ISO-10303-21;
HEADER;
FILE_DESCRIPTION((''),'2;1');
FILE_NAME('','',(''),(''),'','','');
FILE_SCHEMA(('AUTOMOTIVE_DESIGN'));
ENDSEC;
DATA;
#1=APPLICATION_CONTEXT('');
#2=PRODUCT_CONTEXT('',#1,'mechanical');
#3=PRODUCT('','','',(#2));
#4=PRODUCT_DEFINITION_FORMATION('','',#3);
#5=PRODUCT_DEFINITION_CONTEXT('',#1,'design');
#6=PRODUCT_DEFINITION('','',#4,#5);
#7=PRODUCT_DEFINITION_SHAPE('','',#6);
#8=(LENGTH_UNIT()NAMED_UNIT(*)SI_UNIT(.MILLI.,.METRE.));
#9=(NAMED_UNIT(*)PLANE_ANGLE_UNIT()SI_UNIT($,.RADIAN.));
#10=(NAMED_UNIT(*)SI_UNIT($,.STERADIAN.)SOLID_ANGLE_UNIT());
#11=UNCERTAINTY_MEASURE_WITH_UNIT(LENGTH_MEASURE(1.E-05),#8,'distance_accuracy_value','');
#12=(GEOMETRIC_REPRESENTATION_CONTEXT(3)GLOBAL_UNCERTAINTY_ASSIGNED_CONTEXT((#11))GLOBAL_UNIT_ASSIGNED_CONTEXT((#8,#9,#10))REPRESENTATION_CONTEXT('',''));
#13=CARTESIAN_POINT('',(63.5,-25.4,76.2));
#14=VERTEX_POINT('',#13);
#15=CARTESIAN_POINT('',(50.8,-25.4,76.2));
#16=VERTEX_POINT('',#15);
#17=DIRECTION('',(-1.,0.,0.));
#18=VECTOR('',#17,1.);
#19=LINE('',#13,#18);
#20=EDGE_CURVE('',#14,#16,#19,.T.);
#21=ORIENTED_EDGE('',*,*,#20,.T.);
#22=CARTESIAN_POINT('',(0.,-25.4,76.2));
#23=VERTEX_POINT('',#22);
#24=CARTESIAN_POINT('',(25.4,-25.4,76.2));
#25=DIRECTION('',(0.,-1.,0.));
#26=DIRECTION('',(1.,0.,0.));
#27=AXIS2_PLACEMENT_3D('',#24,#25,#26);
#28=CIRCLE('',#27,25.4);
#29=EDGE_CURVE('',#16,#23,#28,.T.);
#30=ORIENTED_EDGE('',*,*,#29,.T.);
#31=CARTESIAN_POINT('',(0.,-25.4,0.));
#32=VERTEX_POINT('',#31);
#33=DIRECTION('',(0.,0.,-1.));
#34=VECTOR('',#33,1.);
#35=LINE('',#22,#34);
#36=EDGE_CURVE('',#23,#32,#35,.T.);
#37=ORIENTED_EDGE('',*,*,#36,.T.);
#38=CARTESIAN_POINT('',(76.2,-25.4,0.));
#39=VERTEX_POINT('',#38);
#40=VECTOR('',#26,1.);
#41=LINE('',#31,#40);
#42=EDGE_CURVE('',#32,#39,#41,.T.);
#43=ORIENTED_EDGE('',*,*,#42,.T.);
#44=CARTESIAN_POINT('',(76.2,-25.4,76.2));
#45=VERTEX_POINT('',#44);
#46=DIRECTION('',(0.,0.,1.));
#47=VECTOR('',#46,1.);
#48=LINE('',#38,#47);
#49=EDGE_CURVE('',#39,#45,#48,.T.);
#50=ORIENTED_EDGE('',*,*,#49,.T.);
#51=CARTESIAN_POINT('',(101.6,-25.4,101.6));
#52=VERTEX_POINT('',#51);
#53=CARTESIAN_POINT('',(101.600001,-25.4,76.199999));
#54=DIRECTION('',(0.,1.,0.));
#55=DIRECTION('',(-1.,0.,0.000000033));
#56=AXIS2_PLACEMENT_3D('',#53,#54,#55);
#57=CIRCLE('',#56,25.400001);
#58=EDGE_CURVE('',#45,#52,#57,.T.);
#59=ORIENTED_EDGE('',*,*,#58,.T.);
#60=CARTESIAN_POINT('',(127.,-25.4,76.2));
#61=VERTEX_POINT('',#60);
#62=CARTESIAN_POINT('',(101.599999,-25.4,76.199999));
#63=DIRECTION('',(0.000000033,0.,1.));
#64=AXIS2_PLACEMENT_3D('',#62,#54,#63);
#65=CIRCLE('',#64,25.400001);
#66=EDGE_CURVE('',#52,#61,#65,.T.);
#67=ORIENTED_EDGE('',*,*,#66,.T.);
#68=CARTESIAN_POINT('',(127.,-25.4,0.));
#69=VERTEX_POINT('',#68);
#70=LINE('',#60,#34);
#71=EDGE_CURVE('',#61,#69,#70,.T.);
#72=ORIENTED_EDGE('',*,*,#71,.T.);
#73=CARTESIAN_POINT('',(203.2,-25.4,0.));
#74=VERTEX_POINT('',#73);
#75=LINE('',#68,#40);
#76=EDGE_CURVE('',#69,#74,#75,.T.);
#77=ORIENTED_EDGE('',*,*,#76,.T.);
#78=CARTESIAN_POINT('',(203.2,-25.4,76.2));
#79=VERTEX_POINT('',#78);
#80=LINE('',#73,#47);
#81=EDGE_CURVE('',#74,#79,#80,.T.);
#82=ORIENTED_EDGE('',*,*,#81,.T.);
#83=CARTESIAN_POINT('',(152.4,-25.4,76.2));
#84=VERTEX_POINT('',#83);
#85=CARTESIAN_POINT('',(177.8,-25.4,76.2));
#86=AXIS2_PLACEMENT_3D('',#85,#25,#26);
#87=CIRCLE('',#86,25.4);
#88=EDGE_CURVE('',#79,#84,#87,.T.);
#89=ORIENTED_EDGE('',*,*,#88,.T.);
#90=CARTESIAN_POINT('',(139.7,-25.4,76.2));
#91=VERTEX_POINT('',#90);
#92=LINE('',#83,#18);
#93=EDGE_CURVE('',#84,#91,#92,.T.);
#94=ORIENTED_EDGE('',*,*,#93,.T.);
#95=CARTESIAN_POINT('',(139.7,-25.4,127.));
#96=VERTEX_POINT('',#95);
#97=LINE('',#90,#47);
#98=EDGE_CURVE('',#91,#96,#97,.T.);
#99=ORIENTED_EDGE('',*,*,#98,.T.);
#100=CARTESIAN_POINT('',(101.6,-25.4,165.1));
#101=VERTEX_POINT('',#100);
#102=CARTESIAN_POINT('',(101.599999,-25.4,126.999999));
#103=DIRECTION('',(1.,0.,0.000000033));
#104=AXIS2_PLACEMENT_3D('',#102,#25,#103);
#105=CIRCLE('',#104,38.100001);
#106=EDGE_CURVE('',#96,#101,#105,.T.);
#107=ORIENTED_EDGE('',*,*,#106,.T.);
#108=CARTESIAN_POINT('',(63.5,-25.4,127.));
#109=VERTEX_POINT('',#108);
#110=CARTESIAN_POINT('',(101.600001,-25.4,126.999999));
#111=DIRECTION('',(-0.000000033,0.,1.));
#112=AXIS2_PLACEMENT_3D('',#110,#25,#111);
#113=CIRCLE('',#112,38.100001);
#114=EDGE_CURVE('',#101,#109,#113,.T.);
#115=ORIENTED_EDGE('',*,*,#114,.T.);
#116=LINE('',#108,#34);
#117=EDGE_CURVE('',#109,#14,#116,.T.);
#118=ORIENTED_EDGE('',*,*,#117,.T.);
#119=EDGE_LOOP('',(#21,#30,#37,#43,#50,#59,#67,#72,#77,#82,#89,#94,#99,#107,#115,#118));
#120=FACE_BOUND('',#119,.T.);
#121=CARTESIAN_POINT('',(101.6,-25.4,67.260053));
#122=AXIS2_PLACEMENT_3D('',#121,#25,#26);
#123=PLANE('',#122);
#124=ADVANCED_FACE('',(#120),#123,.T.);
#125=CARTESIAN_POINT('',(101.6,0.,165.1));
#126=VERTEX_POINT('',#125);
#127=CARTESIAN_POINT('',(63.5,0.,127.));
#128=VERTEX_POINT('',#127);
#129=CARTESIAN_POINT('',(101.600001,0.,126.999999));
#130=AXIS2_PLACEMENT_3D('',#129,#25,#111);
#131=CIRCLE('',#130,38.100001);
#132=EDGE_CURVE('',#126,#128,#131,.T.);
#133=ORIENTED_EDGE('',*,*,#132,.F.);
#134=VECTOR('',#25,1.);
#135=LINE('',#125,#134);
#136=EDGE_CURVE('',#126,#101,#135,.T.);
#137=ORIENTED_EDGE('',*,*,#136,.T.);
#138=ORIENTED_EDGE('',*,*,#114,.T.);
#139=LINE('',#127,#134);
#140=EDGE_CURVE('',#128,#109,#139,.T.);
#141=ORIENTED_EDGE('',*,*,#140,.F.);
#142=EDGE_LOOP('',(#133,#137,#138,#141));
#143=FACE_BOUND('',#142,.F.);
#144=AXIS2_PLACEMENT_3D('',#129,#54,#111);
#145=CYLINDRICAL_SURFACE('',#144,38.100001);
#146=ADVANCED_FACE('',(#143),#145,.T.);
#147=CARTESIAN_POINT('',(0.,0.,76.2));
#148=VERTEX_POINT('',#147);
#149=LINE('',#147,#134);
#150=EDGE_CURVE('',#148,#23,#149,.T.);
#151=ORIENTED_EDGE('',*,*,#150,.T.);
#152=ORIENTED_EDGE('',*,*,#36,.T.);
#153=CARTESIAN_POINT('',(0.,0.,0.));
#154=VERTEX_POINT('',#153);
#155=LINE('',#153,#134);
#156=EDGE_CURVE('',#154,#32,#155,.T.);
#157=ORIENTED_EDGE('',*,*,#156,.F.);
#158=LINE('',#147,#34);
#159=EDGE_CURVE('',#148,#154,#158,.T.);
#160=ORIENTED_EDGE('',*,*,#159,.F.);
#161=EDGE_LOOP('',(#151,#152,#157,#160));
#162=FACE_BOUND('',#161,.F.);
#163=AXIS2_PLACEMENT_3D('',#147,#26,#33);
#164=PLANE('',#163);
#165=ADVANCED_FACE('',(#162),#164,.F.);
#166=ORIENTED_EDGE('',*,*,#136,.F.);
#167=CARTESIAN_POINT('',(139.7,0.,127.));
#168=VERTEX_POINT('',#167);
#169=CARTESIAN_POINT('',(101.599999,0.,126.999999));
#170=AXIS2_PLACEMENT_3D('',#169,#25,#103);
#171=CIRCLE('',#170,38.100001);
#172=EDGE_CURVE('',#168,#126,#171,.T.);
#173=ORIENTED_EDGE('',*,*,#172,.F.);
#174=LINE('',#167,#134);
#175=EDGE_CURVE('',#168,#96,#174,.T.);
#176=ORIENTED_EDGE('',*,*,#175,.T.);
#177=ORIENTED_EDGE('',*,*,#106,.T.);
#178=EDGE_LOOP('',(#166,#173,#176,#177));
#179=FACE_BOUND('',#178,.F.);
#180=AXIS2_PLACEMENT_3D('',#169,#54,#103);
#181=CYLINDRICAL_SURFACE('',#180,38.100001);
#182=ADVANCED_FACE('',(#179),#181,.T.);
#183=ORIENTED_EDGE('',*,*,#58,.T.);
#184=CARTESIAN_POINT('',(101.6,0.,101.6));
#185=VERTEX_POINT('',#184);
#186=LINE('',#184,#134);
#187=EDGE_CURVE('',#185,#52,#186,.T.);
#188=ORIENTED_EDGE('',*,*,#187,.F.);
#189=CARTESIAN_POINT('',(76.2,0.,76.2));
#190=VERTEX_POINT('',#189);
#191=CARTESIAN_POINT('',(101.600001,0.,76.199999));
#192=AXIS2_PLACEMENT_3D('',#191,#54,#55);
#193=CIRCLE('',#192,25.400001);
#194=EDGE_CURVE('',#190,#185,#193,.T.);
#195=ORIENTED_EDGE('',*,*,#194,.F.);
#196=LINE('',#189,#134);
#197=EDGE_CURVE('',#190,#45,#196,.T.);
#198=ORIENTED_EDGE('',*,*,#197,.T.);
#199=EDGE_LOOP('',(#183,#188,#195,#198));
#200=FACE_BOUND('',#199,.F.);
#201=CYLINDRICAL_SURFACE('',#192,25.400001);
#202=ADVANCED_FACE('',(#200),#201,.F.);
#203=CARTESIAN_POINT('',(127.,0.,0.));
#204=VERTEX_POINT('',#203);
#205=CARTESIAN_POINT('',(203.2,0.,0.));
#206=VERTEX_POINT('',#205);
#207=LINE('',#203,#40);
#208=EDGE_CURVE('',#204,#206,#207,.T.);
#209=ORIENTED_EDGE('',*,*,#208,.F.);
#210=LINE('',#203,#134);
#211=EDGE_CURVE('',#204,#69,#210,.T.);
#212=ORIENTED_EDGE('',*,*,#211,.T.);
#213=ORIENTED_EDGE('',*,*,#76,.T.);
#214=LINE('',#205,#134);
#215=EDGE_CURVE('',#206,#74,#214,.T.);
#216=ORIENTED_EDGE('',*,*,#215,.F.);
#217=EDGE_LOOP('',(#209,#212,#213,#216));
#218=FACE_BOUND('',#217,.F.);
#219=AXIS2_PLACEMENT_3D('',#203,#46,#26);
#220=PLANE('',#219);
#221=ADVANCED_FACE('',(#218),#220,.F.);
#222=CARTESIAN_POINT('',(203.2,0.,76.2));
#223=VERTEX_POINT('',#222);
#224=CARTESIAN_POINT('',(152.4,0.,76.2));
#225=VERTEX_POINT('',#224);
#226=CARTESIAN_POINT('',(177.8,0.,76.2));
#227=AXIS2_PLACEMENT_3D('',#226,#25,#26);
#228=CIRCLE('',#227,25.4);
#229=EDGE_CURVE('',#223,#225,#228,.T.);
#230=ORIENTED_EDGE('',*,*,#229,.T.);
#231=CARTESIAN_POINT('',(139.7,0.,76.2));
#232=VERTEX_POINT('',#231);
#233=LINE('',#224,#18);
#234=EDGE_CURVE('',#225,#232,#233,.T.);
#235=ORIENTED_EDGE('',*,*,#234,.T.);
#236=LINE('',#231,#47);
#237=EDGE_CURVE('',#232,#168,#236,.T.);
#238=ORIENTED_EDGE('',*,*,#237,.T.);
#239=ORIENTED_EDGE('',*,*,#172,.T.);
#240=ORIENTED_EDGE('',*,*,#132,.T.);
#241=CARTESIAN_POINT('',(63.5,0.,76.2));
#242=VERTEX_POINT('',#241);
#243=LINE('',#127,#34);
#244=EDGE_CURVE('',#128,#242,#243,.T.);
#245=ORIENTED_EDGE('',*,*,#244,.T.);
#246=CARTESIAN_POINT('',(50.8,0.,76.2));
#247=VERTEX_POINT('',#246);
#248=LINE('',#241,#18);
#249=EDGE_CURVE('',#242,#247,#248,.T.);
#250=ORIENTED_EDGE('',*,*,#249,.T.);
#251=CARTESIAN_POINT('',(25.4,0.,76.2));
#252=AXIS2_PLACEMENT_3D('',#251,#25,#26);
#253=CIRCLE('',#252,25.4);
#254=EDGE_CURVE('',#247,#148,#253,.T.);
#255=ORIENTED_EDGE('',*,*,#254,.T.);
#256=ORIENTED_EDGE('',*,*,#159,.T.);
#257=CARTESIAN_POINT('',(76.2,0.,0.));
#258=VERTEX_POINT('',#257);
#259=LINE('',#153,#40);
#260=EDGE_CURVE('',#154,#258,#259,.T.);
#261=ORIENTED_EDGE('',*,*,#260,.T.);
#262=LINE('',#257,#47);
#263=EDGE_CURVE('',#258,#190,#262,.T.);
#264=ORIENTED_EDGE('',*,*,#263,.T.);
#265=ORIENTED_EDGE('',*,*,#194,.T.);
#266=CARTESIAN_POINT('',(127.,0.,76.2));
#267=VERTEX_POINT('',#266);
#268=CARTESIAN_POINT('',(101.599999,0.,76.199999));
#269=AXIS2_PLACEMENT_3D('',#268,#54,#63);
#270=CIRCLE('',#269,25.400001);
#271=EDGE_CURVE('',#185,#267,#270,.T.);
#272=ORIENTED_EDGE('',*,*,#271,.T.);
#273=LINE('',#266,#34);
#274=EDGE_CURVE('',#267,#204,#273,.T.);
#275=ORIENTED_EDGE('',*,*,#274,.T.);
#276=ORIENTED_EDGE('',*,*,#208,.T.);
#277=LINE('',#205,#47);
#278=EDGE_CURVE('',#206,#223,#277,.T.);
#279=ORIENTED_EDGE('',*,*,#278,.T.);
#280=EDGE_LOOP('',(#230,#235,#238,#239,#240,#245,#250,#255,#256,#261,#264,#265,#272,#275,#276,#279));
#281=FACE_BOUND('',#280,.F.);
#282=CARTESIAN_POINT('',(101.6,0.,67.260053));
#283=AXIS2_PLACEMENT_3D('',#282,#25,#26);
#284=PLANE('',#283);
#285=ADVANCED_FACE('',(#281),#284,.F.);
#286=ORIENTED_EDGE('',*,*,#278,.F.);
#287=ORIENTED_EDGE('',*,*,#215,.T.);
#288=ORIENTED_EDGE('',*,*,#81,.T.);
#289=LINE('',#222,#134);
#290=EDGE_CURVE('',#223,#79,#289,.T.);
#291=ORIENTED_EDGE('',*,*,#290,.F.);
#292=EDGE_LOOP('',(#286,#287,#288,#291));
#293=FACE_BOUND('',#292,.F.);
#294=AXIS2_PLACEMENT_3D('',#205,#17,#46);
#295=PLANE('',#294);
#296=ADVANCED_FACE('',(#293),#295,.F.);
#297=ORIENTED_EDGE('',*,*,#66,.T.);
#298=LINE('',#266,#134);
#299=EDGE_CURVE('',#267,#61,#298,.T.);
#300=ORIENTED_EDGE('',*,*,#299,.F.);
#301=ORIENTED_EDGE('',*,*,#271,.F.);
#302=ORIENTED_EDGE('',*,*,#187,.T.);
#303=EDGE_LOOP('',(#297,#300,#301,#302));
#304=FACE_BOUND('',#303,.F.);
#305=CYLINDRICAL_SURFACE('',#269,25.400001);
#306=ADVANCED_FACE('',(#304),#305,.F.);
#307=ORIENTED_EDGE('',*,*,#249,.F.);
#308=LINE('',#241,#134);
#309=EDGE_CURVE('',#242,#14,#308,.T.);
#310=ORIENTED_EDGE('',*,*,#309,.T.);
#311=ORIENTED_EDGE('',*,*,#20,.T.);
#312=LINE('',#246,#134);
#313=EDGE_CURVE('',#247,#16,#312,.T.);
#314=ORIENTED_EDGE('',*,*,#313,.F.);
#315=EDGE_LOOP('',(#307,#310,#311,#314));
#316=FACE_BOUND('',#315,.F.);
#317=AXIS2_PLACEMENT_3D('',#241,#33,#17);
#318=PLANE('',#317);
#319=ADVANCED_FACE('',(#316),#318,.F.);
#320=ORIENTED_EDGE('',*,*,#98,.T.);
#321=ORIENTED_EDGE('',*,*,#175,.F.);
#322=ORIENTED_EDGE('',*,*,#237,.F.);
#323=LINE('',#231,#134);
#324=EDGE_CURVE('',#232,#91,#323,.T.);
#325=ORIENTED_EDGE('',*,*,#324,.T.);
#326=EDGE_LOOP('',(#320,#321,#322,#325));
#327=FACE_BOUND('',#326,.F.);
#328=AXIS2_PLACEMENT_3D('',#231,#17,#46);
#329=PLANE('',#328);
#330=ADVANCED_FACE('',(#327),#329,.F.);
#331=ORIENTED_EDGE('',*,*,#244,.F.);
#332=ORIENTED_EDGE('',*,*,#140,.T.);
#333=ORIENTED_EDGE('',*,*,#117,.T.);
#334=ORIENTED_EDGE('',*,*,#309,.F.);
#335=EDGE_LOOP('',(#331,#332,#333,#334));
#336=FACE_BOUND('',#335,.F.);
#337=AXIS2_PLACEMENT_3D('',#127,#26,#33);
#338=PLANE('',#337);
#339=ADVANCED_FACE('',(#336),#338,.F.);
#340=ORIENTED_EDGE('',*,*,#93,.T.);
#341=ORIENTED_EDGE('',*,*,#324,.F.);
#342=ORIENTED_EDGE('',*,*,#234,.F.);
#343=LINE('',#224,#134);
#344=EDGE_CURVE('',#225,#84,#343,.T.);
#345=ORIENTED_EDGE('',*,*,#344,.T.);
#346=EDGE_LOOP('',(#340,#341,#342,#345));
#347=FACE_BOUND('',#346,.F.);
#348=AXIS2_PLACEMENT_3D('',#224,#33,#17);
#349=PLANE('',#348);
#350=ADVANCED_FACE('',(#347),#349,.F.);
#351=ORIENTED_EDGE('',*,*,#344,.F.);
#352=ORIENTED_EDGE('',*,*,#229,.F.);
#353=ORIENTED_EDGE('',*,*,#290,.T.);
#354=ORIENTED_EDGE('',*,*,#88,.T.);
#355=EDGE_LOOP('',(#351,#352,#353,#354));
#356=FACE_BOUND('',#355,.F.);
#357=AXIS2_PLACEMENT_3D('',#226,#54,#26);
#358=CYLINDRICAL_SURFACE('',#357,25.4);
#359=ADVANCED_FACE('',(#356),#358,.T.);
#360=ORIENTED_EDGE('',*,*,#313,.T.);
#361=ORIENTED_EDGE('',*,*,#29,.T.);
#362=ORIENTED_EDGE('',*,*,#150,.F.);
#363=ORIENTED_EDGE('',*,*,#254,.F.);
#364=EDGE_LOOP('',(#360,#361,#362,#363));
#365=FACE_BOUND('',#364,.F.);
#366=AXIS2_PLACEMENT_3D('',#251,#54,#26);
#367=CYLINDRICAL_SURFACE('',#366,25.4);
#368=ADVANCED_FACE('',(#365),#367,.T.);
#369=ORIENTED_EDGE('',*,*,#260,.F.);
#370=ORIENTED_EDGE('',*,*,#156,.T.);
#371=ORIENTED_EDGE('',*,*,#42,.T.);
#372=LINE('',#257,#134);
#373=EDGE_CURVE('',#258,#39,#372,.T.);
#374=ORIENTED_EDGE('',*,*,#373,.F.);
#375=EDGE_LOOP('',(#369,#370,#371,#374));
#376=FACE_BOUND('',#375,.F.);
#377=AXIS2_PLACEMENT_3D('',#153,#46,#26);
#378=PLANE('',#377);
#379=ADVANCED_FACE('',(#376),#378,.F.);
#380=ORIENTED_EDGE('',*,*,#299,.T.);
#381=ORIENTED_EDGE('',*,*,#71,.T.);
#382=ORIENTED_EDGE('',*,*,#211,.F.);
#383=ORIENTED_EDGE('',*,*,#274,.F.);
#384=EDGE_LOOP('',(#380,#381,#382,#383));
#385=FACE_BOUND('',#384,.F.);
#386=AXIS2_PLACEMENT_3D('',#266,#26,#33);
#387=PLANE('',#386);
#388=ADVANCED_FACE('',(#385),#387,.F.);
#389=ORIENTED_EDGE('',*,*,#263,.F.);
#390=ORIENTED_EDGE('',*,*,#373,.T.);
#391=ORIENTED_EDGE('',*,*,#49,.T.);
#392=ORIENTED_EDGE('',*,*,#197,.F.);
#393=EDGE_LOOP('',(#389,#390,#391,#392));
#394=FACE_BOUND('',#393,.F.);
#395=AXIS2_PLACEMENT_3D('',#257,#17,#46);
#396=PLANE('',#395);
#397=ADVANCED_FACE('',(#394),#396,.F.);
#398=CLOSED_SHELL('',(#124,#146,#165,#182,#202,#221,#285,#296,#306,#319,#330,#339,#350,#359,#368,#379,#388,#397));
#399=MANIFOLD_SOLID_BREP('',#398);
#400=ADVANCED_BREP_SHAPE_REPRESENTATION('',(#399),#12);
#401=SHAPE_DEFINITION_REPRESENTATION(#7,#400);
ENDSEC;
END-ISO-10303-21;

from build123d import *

# Parameters (mm, degrees)
F2_DEPTH = 25.4


with BuildPart() as f2:
    # F1 (on Front) → F2 (new body)
    with BuildSketch(Plane.XZ):
        with BuildLine():
            Line((0, 76.2), (0, 0))
            Line((0, 0), (76.2, 0))
            Line((76.2, 0), (76.2, 76.2))
            ThreePointArc((76.2, 76.2), (83.639488, 94.160512), (101.6, 101.6))
            ThreePointArc((101.6, 101.6), (119.560512, 94.160512), (127, 76.2))
            Line((127, 76.2), (127, 0))
            Line((127, 0), (203.2, 0))
            Line((203.2, 0), (203.2, 76.2))
            ThreePointArc((203.2, 76.2), (177.8, 101.6), (152.4, 76.2))
            Line((152.4, 76.2), (139.7, 76.2))
            Line((139.7, 76.2), (139.7, 127))
            ThreePointArc((139.7, 127), (128.540768, 153.940768), (101.6, 165.1))
            ThreePointArc((101.6, 165.1), (74.659232, 153.940768), (63.5, 127))
            Line((63.5, 127), (63.5, 76.2))
            Line((63.5, 76.2), (50.8, 76.2))
            ThreePointArc((50.8, 76.2), (25.4, 101.6), (0, 76.2))
        make_face()
    extrude(amount=F2_DEPTH)


solid = f2.part
